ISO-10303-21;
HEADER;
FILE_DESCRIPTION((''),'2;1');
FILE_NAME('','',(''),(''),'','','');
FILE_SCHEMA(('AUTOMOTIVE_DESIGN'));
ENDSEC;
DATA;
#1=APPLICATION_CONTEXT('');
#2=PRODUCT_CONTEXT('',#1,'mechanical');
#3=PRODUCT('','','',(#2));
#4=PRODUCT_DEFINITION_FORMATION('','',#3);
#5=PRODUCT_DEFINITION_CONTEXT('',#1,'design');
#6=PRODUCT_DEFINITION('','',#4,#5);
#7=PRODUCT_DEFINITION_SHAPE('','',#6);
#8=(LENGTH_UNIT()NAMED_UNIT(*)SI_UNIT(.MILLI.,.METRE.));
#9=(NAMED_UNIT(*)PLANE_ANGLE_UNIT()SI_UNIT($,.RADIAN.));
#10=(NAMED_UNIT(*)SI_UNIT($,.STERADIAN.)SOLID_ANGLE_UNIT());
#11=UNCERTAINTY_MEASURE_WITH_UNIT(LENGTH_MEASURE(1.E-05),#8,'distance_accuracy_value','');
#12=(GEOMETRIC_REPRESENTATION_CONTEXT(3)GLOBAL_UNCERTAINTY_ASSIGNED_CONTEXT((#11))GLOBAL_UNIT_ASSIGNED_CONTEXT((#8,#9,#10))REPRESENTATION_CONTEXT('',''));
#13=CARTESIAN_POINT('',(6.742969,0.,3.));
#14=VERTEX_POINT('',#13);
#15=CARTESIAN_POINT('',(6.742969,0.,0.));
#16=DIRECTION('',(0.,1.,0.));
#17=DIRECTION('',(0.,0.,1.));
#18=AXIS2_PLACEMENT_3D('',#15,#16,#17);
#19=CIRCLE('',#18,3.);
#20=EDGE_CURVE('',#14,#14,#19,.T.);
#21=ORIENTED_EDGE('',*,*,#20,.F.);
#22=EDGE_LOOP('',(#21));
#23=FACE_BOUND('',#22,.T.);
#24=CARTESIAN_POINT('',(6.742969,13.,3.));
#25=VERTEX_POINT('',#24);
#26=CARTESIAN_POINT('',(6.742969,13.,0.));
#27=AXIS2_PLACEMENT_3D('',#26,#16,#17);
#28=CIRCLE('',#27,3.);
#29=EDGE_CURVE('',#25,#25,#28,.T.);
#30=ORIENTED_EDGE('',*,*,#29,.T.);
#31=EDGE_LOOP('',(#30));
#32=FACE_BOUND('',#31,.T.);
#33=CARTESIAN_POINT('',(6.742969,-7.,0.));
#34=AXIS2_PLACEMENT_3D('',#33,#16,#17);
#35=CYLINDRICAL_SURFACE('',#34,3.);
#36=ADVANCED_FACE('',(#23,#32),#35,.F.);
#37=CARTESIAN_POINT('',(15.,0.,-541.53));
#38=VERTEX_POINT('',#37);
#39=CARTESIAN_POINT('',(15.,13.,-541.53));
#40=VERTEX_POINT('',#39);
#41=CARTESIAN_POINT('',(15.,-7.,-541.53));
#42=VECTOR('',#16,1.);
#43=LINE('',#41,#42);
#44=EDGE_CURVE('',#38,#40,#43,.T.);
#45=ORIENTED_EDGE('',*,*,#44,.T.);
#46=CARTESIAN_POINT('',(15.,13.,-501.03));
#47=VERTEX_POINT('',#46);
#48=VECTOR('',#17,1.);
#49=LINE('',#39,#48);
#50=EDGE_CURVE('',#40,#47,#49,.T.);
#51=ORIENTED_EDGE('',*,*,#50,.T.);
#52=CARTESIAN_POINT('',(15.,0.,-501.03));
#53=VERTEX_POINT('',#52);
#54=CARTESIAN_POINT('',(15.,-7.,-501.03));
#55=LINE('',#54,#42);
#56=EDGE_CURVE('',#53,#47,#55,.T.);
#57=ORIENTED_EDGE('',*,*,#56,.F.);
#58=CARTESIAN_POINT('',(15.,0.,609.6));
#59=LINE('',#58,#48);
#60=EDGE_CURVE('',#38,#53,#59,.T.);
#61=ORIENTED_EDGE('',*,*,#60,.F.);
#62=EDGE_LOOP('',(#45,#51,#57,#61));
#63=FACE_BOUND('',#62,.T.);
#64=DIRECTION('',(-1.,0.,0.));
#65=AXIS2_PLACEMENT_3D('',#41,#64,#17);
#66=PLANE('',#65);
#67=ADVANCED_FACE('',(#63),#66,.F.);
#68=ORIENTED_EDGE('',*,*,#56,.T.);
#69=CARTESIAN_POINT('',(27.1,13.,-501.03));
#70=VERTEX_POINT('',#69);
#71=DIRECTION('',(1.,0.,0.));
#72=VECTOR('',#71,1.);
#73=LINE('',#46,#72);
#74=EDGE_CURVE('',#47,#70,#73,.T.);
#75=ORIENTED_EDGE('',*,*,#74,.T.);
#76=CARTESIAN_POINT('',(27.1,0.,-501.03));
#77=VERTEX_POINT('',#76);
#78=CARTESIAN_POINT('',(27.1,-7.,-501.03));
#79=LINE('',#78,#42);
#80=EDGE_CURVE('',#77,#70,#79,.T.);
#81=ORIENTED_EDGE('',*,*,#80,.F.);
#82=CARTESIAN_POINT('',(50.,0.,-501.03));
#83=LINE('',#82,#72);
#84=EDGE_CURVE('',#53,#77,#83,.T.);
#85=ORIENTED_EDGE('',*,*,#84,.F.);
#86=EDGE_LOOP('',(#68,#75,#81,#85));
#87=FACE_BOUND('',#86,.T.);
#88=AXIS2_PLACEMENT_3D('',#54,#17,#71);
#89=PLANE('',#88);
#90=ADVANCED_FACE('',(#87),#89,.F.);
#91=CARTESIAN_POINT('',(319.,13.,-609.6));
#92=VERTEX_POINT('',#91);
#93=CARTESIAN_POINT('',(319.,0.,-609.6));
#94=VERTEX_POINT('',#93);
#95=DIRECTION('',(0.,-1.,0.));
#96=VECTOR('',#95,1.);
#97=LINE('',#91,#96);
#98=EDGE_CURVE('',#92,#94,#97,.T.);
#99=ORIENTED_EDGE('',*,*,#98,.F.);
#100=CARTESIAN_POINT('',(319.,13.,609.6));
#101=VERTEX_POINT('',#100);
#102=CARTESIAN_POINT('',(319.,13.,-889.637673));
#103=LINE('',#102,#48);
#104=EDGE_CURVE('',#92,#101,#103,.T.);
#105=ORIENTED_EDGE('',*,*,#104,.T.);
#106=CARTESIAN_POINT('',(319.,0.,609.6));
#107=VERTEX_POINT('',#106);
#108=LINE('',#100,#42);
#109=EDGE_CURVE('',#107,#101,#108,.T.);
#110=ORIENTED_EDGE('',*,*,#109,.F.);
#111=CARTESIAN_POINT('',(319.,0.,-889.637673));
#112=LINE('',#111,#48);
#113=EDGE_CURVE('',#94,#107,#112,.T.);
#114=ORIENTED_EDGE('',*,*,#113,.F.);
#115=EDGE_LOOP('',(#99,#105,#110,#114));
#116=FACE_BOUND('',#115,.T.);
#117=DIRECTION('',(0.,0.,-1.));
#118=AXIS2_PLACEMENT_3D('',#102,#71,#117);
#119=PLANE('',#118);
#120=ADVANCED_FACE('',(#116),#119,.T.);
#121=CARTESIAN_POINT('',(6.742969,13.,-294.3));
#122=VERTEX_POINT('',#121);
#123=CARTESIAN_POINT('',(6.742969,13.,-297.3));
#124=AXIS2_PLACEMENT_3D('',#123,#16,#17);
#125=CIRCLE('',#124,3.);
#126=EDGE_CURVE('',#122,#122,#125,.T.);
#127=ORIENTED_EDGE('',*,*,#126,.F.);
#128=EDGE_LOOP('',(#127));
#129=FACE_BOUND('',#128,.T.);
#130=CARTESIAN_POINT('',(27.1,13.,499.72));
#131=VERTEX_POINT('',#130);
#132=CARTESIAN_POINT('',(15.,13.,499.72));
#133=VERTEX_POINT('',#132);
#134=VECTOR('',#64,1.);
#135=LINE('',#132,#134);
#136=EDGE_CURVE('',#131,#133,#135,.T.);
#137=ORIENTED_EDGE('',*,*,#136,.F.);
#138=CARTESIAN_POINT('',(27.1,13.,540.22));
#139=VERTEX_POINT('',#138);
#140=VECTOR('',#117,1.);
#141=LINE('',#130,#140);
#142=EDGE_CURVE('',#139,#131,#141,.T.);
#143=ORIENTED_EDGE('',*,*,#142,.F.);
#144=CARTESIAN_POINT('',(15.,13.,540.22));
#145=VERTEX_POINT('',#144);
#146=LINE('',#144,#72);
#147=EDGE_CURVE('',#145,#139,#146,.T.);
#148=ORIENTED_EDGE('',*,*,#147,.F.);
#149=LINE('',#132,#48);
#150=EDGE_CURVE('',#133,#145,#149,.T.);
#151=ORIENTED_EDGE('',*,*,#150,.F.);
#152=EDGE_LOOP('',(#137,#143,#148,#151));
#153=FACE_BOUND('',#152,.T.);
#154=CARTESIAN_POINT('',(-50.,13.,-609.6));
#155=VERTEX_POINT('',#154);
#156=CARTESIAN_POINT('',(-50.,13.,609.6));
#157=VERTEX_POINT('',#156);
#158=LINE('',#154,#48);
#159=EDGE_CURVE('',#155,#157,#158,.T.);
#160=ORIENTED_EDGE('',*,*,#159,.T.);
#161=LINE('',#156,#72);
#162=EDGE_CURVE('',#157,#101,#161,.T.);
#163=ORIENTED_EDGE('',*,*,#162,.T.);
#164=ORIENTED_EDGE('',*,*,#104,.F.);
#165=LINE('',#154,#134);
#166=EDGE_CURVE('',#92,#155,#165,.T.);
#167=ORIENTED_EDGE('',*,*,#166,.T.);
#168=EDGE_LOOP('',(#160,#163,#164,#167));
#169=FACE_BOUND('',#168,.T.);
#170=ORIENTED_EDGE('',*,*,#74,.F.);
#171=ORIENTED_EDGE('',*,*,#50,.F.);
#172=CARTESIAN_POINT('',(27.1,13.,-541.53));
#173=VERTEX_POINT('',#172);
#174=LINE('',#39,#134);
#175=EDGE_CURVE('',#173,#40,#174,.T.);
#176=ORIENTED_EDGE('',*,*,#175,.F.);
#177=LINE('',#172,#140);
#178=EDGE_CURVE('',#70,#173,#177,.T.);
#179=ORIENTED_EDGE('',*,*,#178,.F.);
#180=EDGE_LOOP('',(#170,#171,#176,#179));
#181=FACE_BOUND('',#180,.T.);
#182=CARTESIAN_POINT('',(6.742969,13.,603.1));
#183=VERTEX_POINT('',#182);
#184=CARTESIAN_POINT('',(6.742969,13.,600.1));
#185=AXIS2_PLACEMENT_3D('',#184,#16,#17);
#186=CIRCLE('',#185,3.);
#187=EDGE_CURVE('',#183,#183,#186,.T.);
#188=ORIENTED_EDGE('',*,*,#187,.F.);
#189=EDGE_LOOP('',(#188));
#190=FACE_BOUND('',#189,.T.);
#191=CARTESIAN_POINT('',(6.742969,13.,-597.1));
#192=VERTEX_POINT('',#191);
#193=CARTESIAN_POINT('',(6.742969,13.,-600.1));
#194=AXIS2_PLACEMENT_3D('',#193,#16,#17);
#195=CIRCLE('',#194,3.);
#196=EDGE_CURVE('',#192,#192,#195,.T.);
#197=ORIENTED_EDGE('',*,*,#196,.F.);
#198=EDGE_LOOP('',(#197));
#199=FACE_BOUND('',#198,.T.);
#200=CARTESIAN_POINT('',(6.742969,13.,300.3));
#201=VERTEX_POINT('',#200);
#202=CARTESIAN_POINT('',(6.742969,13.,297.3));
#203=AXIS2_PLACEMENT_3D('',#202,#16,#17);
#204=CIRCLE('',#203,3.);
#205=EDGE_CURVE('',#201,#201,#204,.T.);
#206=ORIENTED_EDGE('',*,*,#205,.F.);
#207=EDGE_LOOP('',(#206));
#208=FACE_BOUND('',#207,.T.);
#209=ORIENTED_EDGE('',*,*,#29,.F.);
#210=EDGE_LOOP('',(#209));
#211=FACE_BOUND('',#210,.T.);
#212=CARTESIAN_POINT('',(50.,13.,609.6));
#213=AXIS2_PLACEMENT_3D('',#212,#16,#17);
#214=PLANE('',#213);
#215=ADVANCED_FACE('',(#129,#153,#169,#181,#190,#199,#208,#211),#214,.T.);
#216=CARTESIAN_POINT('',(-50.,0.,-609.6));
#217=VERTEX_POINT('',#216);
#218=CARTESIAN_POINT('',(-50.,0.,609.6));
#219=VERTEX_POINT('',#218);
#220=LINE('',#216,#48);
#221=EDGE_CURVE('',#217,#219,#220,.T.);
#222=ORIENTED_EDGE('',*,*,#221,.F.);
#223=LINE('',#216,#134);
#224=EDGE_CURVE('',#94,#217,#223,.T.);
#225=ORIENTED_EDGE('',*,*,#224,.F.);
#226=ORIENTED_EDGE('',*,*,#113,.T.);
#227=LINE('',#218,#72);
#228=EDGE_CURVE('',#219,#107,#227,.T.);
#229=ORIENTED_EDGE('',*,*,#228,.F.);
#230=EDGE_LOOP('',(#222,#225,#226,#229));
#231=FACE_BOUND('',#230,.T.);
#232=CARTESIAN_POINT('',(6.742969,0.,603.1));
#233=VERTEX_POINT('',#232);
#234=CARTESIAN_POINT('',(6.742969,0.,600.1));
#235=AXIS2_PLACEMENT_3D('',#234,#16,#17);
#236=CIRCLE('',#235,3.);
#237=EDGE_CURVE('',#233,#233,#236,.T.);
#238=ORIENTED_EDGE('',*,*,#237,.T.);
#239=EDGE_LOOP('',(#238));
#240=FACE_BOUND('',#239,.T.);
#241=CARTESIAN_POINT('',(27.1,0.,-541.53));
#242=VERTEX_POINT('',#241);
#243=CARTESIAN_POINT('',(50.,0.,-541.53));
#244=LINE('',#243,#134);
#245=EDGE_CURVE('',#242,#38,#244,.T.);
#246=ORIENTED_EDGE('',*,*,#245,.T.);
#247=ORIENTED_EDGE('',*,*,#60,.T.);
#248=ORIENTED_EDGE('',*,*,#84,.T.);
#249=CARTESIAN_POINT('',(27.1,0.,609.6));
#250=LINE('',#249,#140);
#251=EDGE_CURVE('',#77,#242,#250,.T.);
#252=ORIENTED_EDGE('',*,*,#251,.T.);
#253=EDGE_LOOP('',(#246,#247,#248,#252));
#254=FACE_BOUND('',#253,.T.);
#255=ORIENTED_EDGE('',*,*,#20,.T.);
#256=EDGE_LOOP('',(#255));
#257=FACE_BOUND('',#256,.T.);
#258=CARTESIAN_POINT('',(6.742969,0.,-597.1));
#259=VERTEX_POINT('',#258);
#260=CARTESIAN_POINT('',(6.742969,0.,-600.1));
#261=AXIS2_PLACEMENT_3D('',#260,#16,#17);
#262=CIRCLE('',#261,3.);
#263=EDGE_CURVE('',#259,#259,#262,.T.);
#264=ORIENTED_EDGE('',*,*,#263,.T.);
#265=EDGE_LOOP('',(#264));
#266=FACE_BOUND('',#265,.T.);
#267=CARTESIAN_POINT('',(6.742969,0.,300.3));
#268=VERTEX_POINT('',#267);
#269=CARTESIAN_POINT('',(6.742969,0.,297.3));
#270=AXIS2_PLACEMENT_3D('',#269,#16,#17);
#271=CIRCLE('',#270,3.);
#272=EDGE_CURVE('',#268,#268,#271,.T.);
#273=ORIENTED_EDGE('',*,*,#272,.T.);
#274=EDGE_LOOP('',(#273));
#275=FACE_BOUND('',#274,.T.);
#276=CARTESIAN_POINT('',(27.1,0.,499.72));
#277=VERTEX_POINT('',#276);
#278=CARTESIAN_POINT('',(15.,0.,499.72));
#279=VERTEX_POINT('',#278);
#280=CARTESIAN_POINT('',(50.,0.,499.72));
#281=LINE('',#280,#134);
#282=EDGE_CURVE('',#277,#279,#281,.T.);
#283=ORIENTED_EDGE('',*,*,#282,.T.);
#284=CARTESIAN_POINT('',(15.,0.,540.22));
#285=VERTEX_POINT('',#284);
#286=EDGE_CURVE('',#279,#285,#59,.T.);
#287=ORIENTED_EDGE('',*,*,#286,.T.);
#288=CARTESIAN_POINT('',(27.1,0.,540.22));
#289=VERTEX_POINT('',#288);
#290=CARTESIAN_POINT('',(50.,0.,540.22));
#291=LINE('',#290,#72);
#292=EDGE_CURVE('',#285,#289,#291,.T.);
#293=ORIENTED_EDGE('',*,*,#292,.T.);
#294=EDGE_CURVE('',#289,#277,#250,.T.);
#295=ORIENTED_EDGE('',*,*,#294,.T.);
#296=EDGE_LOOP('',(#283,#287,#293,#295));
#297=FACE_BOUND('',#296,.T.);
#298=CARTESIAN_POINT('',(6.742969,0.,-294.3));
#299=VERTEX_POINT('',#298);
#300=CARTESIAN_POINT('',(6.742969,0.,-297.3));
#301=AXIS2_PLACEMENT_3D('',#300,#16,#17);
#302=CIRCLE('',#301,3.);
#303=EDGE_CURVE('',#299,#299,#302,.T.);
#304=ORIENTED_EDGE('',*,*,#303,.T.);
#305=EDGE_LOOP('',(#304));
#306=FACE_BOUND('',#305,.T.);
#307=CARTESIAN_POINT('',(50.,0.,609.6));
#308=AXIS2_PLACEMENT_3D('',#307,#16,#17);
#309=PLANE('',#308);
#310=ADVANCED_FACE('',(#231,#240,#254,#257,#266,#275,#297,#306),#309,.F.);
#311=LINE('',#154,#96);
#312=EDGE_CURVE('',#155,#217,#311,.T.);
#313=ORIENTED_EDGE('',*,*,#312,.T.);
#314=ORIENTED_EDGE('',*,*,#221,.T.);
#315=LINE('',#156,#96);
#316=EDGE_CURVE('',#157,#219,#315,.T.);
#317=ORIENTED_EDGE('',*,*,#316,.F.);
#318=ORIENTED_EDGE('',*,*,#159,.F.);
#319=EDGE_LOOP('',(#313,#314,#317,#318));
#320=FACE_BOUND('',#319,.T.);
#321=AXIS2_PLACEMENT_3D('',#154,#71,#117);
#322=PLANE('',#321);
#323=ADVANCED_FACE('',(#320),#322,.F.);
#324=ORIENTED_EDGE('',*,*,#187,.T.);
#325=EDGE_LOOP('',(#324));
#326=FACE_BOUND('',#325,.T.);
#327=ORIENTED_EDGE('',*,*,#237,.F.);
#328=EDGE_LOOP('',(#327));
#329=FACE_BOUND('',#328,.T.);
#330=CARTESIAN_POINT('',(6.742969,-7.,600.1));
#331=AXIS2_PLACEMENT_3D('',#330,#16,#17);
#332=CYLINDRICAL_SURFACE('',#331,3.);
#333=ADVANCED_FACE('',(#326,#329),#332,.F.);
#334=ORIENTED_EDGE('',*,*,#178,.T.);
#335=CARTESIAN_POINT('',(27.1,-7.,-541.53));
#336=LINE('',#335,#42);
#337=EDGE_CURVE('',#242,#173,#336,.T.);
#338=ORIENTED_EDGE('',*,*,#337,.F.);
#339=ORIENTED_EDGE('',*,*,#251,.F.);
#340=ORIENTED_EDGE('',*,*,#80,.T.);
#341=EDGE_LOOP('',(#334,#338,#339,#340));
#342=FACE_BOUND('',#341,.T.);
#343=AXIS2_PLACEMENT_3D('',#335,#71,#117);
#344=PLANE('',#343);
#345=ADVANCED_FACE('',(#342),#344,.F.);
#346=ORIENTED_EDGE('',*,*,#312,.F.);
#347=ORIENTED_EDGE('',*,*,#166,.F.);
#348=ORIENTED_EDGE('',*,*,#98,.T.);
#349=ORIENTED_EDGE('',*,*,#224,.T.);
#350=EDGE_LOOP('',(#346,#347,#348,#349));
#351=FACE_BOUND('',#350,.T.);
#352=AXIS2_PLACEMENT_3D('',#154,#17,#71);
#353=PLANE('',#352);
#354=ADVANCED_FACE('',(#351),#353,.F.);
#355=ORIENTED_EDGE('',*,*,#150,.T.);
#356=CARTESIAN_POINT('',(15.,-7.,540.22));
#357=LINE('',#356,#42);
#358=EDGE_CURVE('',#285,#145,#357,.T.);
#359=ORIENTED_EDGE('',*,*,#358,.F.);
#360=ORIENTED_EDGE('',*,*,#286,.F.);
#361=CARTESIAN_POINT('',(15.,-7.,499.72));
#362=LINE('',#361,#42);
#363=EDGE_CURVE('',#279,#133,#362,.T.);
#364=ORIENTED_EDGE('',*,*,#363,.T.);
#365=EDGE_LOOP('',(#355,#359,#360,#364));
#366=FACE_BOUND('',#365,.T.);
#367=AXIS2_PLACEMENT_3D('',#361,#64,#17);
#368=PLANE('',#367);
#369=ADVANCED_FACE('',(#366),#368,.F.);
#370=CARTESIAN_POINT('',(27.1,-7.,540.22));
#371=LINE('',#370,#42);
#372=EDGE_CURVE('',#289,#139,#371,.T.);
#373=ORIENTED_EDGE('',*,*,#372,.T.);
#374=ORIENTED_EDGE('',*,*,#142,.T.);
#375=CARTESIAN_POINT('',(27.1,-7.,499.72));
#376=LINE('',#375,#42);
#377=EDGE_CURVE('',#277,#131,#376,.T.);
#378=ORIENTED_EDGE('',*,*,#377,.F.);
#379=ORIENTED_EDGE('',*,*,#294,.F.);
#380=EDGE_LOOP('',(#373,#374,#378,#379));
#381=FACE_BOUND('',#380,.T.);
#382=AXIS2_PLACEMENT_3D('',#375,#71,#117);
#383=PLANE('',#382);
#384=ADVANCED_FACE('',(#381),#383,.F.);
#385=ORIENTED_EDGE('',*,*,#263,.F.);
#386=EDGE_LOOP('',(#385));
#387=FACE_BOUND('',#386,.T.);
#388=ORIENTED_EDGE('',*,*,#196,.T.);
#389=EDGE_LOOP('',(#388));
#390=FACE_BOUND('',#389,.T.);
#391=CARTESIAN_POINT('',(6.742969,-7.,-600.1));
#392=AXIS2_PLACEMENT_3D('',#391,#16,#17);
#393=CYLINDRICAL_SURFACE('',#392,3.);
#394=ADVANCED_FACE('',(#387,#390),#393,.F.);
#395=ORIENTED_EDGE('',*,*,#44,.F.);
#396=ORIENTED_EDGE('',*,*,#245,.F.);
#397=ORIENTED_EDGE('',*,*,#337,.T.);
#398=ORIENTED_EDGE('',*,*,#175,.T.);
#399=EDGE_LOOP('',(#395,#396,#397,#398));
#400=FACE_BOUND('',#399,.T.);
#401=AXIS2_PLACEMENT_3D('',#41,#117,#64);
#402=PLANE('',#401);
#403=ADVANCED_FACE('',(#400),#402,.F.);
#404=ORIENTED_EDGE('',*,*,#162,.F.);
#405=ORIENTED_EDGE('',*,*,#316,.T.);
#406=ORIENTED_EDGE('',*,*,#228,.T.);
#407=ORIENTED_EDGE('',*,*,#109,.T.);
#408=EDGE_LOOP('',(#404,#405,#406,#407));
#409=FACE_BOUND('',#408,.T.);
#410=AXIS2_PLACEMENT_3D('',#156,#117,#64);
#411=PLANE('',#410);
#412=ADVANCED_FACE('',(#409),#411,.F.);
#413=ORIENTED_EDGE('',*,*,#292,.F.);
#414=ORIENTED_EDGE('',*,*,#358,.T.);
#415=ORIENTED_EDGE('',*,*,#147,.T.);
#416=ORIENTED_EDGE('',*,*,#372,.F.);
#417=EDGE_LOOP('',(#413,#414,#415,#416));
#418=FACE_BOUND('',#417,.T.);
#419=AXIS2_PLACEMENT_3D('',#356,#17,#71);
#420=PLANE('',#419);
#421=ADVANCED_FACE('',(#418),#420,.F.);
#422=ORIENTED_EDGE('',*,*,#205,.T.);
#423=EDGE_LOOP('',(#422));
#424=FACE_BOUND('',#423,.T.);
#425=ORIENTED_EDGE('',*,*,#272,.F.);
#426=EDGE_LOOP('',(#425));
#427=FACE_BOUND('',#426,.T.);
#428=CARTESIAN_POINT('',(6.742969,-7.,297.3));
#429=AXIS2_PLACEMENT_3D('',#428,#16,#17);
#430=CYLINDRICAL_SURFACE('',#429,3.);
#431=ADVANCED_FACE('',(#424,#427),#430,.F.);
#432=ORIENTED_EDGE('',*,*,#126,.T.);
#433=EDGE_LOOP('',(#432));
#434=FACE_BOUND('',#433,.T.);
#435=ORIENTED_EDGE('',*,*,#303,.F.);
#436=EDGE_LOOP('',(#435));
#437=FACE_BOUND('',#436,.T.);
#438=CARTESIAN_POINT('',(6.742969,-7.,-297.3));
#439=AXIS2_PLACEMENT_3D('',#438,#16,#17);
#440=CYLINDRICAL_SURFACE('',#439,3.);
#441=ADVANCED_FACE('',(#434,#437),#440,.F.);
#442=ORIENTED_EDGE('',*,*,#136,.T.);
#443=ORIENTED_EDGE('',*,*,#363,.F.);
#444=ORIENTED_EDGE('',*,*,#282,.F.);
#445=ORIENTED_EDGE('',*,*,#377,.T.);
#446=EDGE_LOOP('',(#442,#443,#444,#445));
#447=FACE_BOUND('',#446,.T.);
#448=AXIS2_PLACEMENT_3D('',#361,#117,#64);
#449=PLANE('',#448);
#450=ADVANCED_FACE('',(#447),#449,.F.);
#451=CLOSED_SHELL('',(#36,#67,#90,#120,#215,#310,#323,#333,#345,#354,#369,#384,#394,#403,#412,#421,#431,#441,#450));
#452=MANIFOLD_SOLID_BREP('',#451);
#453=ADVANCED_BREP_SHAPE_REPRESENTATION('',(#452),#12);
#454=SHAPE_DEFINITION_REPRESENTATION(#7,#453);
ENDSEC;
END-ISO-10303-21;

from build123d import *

# Parameters (mm, degrees)
SKETCH1_W           = 100
SKETCH1_H           = 1219.2
BOSS_EXTRUDE1_DEPTH = 13
SKETCH4_R           = 3
CUT_EXTRUDE1_DEPTH  = 20
SKETCH5_W           = 279.735765028
SKETCH5_H           = 13
BOSS_EXTRUDE2_DEPTH = 1219.2
SKETCH6_W           = 12.1
SKETCH6_H           = 40.5
CUT_EXTRUDE2_DEPTH  = 20


with BuildPart() as part:
    # Sketch1 → Boss-Extrude1 (new body)
    with BuildSketch(Plane(origin=(0, 0, 0), x_dir=(1, 0, 0), z_dir=(0, 1, 0))):
        Rectangle(SKETCH1_W, SKETCH1_H)
    extrude(amount=BOSS_EXTRUDE1_DEPTH)

    # Sketch4 → Cut-Extrude1 (cut)
    with BuildSketch(Plane(origin=(0, 13, 0), x_dir=(1, 0, 0), z_dir=(0, 1, 0))):
        with Locations((6.742969062, -600.1)):
            Circle(SKETCH4_R)
        with Locations((6.742969062, -297.3)):
            Circle(SKETCH4_R)
        with Locations((6.742969062, 0)):
            Circle(SKETCH4_R)
        with Locations((6.742969062, 297.3)):
            Circle(SKETCH4_R)
        with Locations((6.742969062, 600.1)):
            Circle(SKETCH4_R)
    extrude(amount=-CUT_EXTRUDE1_DEPTH, mode=Mode.SUBTRACT)

    # Sketch5 → Boss-Extrude2 (add)
    with BuildSketch(Plane.XY.offset(609.6)):
        with Locations((179.132117486, 6.5)):
            Rectangle(SKETCH5_W, SKETCH5_H)
    extrude(amount=-BOSS_EXTRUDE2_DEPTH)

    # Sketch6 → Cut-Extrude2 (cut)
    with BuildSketch(Plane(origin=(0, 13, 0), x_dir=(1, 0, 0), z_dir=(0, 1, 0))):
        with Locations((21.05, -519.97)):
            Rectangle(SKETCH6_W, SKETCH6_H)
        with Locations((21.05, 521.28)):
            Rectangle(SKETCH6_W, SKETCH6_H)
    extrude(amount=-CUT_EXTRUDE2_DEPTH, mode=Mode.SUBTRACT)


solid = part.part
